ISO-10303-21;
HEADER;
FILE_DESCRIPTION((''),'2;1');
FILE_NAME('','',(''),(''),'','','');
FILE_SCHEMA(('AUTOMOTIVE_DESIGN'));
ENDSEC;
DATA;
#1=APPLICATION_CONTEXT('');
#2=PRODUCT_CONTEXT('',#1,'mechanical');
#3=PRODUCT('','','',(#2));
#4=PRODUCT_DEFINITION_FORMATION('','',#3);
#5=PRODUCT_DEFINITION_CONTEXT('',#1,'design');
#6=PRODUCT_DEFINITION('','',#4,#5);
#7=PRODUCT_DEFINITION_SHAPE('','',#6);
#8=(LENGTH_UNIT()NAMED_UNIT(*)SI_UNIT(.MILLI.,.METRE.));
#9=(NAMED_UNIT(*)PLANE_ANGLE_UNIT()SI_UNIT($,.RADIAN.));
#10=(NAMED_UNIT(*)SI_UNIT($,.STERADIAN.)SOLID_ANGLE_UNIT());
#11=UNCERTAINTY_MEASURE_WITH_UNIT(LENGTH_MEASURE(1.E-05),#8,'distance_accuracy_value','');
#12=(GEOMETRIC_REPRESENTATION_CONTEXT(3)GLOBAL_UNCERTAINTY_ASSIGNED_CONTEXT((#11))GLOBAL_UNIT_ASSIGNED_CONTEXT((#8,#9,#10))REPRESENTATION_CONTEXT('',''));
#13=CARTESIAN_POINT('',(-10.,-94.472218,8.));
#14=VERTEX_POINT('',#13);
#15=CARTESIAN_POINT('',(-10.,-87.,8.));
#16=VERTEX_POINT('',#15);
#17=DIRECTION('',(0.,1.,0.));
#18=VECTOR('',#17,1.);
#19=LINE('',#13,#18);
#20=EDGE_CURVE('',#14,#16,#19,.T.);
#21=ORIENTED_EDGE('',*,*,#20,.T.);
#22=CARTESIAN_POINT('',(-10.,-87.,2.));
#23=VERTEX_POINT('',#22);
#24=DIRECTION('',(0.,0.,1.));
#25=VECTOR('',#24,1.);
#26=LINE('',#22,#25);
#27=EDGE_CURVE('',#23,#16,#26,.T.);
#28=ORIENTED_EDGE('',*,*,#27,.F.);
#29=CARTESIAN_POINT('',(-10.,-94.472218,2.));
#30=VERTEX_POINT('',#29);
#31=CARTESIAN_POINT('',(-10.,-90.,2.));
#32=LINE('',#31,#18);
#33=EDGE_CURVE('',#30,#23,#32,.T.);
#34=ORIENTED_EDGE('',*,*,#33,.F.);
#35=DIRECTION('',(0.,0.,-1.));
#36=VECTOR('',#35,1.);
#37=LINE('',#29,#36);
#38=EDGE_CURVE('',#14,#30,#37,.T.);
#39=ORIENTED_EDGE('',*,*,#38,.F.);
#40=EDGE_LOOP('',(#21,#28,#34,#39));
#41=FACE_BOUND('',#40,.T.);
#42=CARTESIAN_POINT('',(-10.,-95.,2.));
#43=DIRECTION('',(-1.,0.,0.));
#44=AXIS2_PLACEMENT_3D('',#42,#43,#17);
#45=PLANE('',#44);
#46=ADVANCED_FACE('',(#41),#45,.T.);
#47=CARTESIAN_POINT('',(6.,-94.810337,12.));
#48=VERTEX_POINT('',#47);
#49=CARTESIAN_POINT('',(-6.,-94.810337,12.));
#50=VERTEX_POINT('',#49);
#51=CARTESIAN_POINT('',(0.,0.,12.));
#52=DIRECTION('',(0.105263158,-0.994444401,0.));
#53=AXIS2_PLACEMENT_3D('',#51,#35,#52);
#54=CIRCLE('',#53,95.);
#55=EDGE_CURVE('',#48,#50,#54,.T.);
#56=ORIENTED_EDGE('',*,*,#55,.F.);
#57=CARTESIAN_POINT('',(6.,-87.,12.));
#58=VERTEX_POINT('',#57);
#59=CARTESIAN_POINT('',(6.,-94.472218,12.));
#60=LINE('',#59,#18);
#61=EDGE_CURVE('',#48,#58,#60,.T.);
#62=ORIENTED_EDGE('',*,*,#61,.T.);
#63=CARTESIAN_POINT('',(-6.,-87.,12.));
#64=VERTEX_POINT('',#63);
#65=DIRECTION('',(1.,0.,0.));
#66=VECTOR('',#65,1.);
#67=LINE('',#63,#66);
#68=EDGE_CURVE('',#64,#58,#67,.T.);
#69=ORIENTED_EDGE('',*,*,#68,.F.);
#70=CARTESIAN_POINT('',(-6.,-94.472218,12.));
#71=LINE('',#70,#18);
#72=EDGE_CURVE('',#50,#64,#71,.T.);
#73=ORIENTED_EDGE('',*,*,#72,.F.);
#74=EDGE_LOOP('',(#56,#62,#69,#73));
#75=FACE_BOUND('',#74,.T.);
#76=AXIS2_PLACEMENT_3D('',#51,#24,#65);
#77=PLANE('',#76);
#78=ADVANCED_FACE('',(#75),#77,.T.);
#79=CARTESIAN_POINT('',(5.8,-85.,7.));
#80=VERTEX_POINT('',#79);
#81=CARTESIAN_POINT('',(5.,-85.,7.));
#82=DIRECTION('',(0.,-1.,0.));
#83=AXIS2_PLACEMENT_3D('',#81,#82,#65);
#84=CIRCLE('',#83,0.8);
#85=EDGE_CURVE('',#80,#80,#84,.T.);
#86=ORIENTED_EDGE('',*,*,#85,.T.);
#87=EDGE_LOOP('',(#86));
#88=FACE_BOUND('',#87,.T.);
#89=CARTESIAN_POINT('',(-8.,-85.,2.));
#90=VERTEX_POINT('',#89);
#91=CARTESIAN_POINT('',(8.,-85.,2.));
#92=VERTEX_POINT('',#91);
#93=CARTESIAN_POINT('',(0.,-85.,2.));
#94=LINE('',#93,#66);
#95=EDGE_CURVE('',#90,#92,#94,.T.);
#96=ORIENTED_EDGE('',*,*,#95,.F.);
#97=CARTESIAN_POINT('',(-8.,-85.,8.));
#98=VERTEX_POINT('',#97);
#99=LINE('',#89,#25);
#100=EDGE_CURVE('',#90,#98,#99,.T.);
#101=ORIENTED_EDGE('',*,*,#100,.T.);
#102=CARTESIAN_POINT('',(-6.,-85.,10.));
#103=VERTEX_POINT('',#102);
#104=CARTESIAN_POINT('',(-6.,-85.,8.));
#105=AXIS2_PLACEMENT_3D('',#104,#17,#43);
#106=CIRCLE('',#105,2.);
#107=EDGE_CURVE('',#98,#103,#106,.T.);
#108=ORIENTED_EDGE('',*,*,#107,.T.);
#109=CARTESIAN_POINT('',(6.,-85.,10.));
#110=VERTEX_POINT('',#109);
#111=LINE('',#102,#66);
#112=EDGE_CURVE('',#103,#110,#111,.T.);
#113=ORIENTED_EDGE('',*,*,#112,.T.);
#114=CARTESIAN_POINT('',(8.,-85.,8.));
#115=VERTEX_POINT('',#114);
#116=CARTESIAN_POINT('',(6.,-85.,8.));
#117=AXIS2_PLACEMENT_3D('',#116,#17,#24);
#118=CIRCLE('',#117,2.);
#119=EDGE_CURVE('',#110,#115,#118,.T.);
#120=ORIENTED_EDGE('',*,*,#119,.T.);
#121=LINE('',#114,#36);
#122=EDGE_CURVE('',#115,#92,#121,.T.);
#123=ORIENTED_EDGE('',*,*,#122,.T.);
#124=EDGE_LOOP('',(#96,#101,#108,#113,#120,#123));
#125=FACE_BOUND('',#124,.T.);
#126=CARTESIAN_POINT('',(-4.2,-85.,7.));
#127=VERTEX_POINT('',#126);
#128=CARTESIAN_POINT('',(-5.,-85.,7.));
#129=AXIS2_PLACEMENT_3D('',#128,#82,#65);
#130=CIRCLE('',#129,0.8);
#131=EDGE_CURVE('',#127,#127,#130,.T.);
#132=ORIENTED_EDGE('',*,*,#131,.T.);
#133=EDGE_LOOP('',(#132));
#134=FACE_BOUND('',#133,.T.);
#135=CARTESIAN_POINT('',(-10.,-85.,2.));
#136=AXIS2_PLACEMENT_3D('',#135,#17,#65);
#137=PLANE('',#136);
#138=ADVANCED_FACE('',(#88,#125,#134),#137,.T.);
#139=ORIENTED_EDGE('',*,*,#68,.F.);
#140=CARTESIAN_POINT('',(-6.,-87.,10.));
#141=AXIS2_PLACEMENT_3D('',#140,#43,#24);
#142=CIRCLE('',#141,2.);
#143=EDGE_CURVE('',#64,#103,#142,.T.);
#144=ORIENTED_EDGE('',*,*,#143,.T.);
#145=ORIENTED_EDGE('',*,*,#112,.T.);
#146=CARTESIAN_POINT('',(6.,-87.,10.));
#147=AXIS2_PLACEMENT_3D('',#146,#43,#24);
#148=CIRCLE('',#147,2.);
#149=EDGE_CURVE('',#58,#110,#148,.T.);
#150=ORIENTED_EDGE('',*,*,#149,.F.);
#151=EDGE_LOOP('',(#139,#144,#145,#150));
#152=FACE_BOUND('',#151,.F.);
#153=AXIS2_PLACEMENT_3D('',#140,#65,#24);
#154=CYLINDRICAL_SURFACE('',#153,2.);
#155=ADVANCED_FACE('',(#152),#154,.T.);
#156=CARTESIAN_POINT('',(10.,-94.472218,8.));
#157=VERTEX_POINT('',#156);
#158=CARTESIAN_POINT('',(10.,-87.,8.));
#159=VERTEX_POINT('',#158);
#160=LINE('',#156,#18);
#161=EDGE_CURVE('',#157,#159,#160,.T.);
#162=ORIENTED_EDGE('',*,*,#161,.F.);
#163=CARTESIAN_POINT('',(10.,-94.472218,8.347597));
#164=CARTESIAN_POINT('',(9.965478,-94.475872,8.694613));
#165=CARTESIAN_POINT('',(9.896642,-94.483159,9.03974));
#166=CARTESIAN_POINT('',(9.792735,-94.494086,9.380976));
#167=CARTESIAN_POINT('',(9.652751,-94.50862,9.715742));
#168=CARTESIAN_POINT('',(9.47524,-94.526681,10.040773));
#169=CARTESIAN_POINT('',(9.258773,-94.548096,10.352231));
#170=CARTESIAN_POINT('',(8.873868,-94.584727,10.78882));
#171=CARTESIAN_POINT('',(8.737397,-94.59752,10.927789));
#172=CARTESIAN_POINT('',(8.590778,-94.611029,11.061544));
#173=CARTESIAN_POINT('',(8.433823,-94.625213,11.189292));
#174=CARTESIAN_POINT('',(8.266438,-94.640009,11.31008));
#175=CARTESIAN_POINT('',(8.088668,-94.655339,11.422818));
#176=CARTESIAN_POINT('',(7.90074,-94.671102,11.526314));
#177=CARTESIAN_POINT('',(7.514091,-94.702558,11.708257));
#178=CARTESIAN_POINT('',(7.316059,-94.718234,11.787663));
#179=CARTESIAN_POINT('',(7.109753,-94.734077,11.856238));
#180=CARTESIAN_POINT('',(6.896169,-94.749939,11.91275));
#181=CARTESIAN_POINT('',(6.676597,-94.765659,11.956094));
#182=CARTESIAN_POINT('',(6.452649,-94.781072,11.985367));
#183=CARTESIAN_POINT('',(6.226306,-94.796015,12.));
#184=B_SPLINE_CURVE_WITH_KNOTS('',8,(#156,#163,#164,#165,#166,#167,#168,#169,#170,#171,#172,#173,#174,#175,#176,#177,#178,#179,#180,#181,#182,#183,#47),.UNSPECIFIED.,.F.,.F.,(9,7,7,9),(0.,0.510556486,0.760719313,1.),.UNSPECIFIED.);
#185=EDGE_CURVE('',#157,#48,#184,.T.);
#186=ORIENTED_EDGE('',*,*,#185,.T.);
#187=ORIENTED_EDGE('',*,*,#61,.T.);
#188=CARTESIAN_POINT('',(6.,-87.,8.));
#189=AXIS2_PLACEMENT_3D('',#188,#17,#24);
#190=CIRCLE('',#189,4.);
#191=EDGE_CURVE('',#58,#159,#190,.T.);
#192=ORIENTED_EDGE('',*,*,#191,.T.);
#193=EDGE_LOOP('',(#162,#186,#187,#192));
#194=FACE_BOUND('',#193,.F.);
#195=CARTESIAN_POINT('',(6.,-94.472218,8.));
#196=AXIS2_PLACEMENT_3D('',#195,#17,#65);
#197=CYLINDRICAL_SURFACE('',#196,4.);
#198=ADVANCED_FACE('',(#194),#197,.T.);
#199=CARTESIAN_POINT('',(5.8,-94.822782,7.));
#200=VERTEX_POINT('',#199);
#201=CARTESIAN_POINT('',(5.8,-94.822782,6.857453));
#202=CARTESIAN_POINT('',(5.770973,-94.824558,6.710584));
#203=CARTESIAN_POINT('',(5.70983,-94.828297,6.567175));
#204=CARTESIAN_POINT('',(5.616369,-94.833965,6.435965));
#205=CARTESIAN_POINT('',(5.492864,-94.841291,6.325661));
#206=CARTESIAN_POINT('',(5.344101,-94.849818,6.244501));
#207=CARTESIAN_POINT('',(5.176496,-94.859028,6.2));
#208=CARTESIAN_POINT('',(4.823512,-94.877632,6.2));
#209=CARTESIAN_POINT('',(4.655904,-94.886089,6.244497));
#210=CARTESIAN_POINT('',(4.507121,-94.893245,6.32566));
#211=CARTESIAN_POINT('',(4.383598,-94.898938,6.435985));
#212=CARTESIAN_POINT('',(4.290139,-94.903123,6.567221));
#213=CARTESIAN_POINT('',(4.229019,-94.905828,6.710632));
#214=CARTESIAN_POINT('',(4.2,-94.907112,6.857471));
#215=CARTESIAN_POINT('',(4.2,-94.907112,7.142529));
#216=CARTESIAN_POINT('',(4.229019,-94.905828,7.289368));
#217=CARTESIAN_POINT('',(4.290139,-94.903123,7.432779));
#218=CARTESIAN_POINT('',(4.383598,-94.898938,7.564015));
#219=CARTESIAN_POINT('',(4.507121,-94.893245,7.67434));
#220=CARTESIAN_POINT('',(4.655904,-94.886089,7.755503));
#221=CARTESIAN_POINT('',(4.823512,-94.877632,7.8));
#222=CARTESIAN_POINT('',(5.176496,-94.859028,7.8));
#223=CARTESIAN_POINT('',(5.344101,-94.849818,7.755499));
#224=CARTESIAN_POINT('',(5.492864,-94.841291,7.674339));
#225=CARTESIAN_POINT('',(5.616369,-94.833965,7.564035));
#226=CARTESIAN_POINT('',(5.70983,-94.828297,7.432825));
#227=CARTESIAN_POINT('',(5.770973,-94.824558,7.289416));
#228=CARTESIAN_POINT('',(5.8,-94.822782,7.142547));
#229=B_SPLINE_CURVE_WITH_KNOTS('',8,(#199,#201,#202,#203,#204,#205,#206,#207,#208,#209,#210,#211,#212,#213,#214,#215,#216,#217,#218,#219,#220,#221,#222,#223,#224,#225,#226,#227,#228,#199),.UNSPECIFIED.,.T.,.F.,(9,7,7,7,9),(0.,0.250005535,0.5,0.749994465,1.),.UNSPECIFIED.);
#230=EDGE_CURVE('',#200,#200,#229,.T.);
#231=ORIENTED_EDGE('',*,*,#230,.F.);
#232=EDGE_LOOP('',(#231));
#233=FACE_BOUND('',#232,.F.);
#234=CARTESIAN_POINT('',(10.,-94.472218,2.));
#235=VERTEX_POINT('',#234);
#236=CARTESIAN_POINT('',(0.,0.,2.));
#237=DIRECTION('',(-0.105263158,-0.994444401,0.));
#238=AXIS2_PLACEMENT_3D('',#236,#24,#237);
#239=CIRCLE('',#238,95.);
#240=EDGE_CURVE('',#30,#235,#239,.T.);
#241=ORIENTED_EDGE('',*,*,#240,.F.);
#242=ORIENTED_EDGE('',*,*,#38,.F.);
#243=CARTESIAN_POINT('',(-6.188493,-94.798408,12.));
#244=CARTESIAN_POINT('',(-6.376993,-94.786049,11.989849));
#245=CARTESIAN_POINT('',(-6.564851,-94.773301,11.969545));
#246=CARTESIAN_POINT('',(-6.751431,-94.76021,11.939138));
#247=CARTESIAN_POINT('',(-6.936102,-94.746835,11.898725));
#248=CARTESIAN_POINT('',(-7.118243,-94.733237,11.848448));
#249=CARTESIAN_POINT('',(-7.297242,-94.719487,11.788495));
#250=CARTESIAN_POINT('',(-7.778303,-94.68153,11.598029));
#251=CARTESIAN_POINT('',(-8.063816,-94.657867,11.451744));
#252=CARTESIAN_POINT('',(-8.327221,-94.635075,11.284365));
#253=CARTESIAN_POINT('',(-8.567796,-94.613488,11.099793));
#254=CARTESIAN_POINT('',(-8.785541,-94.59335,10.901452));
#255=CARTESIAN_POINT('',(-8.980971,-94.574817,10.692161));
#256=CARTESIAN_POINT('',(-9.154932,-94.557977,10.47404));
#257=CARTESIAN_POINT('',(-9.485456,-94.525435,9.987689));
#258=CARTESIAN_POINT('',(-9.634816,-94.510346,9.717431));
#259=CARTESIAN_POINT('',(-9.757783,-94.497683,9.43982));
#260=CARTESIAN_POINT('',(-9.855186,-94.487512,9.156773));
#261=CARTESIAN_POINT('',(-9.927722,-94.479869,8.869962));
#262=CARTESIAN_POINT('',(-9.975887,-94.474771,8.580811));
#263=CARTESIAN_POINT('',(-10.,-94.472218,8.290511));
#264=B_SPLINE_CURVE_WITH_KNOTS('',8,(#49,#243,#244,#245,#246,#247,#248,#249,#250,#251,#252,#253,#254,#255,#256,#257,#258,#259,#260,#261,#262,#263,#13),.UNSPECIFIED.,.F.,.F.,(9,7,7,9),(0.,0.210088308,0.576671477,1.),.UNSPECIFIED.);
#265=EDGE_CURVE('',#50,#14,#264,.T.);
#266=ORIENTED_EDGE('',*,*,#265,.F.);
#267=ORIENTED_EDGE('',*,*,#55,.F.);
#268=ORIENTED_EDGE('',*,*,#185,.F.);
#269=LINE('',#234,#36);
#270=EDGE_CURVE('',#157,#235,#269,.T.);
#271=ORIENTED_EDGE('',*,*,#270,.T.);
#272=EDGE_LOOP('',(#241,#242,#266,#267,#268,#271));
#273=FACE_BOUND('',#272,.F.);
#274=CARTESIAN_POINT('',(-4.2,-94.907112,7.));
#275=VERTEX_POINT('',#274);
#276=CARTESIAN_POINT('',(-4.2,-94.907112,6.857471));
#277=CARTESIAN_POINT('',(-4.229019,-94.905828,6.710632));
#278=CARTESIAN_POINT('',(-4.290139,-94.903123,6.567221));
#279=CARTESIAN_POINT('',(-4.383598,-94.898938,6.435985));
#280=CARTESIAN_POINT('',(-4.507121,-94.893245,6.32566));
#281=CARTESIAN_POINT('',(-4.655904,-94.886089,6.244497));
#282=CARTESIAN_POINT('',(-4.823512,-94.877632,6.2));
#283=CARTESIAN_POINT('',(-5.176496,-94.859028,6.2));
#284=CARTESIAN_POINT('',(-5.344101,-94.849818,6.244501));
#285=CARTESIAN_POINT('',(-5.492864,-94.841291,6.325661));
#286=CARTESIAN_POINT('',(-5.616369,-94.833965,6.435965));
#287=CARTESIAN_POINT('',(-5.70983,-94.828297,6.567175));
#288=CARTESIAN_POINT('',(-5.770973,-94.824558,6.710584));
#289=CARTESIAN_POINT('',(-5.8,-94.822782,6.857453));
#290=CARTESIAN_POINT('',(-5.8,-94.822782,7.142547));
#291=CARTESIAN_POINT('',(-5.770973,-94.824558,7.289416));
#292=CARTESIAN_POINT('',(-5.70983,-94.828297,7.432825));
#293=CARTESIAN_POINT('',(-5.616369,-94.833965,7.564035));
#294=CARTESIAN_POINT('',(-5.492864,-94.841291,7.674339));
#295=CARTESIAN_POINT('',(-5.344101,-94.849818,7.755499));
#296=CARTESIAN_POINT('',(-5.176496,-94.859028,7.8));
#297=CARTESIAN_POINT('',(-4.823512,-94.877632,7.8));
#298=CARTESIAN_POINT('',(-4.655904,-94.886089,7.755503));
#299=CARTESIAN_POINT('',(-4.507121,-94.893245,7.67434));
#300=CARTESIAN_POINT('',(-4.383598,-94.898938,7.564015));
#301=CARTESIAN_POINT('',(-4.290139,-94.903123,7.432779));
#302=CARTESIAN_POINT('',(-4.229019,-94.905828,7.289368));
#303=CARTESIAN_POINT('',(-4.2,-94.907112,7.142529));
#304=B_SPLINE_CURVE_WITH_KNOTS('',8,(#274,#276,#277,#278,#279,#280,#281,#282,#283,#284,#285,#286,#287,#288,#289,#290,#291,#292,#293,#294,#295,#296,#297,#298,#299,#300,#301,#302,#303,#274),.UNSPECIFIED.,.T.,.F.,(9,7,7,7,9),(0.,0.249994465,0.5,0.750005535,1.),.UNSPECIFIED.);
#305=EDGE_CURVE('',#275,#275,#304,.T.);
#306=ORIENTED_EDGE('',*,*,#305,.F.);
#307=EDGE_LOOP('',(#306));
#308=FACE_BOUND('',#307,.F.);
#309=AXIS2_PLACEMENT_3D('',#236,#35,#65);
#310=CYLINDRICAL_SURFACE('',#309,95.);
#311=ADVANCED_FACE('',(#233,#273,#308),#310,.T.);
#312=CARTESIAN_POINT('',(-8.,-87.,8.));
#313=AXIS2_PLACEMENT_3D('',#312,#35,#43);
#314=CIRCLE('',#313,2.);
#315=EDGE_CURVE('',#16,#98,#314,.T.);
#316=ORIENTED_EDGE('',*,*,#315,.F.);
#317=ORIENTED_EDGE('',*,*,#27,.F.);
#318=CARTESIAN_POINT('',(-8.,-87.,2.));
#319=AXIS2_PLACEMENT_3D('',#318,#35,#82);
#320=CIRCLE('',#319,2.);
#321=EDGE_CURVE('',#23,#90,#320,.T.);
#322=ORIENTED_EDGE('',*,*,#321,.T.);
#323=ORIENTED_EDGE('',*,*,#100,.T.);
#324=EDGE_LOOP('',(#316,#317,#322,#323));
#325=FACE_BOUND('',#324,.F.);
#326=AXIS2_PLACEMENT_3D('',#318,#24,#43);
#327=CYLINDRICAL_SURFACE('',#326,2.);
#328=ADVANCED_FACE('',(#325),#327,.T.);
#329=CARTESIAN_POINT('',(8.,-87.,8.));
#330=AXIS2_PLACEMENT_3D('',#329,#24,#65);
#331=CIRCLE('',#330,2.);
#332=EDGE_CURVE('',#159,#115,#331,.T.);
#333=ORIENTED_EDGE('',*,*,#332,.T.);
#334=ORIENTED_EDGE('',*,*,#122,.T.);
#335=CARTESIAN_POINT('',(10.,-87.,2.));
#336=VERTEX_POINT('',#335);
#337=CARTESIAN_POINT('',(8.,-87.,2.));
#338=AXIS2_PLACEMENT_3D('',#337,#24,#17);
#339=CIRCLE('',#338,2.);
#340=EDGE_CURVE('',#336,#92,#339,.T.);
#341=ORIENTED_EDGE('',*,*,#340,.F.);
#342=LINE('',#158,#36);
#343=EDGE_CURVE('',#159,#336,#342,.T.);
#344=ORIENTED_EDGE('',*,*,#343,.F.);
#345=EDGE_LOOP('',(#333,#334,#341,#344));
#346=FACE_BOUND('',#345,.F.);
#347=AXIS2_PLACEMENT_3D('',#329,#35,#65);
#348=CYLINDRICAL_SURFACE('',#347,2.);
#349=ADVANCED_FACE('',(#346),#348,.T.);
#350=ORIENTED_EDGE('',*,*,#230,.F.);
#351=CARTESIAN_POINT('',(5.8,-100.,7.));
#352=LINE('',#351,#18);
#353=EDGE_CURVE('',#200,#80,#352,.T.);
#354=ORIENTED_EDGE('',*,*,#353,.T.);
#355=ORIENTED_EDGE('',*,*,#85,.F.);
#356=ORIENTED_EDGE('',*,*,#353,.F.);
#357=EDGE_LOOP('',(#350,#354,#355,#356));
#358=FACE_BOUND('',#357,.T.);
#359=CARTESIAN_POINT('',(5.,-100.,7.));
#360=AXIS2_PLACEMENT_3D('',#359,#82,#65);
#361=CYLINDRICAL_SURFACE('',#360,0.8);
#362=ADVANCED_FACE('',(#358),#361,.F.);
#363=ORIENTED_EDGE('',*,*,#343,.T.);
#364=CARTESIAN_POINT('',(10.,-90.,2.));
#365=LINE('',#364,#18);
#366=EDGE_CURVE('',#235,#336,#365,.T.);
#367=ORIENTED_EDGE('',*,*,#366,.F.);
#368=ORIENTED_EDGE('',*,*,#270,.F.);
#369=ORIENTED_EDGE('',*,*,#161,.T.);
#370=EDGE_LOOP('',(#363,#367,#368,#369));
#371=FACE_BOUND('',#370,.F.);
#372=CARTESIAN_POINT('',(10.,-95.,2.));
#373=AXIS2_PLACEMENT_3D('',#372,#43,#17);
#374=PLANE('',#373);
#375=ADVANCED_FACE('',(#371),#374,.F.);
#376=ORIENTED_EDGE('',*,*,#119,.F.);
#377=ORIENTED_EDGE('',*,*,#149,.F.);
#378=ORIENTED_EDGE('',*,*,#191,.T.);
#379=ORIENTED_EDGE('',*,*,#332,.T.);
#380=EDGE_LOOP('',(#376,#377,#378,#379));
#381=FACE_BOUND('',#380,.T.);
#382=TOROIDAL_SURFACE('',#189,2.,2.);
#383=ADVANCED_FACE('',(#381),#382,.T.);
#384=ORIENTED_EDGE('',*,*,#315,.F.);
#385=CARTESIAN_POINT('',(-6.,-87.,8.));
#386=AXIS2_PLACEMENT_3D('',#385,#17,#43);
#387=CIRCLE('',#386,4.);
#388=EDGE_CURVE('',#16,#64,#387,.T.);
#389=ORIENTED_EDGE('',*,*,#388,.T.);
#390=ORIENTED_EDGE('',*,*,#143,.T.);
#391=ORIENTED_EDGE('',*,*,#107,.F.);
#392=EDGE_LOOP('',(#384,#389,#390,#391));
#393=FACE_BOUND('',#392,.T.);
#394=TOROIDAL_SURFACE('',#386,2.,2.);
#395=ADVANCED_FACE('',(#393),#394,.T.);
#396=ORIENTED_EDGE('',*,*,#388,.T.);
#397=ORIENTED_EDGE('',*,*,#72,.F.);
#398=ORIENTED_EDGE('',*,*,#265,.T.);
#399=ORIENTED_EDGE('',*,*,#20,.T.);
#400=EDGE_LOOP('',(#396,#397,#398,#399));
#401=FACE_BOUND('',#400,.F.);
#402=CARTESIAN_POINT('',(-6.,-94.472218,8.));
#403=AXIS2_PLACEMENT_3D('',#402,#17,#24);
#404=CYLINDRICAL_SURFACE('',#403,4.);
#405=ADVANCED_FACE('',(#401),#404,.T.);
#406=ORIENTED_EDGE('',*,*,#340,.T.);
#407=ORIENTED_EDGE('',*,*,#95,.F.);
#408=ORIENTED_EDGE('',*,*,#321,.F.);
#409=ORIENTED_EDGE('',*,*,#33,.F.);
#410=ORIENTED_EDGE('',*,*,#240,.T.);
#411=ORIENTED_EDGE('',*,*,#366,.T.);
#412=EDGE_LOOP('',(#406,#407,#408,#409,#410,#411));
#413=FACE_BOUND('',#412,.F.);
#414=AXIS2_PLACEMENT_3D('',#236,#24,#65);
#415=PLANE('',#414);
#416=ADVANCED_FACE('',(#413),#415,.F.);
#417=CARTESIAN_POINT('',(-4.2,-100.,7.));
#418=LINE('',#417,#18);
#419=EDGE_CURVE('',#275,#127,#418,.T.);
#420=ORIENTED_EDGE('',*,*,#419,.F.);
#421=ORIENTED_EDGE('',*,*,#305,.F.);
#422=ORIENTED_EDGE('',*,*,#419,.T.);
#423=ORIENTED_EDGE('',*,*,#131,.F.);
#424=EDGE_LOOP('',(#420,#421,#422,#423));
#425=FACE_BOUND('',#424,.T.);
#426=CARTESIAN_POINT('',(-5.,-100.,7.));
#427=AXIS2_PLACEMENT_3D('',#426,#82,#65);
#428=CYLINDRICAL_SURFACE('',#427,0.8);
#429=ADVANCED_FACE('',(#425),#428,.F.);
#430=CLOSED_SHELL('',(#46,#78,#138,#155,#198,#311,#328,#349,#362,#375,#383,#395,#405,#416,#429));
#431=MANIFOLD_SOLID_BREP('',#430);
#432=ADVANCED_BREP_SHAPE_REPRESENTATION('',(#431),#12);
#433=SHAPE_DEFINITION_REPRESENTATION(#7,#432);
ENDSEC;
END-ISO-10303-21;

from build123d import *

# Parameters (mm, degrees)
CYLINDER011_R     = 0.8
CYLINDER011_DEPTH = 20
CYLINDER010_R     = 0.8
CYLINDER010_DEPTH = 20
BOX002_W          = 20
BOX002_H          = 10
BOX002_DEPTH      = 10
CYLINDER009_R     = 95
CYLINDER009_DEPTH = 10
FILLET006_R       = 4
FILLET007_R       = 2


with BuildPart() as screw004:
    # Cylinder011 → Cylinder011 (new body)
    with BuildSketch(Plane(origin=(5, -100, 5), x_dir=(1, 0, 0), z_dir=(0, 1, 0))):
        Circle(CYLINDER011_R)
    extrude(amount=CYLINDER011_DEPTH)


with BuildPart() as fusion005:
    # Cylinder010 → Cylinder010 (new body)
    with BuildSketch(Plane(origin=(-5, -100, 5), x_dir=(1, 0, 0), z_dir=(0, 1, 0))):
        Circle(CYLINDER010_R)
    extrude(amount=CYLINDER010_DEPTH)

    # Fusion005: union Screw004
    add(screw004.part)


with BuildPart() as cube001:
    # Box002 → Box002 (new body)
    with BuildSketch(Plane(origin=(-10, -95, 0), x_dir=(1, 0, 0), z_dir=(0, 0, 1))):
        with Locations((10, 5)):
            Rectangle(BOX002_W, BOX002_H)
    extrude(amount=BOX002_DEPTH)


with BuildPart() as closetooth:
    # Cylinder009 → Cylinder009 (new body)
    with BuildSketch(Plane.XY):
        Circle(CYLINDER009_R)
    extrude(amount=CYLINDER009_DEPTH)

    # Common: intersect Cube001
    add(cube001.part, mode=Mode.INTERSECT)

    # Fillet006
    fillet006_edges = [closetooth.edges().sort_by_distance(p)[0] for p in [
        (-10, -89.736109, 10),
        (10, -89.736109, 10),
    ]]
    fillet(fillet006_edges, radius=FILLET006_R)

    # Fillet007
    fillet007_edges = [closetooth.edges().sort_by_distance(p)[0] for p in [
        (0, -85, 10),
    ]]
    fillet(fillet007_edges, radius=FILLET007_R)

    # Cut002: cut Fusion005
    add(fusion005.part, mode=Mode.SUBTRACT)


with BuildPart() as closetooth_1:
    # Cut002 placement: moved
    add(closetooth.part.moved(Location((0, 0, 2))))


solid = closetooth_1.part
